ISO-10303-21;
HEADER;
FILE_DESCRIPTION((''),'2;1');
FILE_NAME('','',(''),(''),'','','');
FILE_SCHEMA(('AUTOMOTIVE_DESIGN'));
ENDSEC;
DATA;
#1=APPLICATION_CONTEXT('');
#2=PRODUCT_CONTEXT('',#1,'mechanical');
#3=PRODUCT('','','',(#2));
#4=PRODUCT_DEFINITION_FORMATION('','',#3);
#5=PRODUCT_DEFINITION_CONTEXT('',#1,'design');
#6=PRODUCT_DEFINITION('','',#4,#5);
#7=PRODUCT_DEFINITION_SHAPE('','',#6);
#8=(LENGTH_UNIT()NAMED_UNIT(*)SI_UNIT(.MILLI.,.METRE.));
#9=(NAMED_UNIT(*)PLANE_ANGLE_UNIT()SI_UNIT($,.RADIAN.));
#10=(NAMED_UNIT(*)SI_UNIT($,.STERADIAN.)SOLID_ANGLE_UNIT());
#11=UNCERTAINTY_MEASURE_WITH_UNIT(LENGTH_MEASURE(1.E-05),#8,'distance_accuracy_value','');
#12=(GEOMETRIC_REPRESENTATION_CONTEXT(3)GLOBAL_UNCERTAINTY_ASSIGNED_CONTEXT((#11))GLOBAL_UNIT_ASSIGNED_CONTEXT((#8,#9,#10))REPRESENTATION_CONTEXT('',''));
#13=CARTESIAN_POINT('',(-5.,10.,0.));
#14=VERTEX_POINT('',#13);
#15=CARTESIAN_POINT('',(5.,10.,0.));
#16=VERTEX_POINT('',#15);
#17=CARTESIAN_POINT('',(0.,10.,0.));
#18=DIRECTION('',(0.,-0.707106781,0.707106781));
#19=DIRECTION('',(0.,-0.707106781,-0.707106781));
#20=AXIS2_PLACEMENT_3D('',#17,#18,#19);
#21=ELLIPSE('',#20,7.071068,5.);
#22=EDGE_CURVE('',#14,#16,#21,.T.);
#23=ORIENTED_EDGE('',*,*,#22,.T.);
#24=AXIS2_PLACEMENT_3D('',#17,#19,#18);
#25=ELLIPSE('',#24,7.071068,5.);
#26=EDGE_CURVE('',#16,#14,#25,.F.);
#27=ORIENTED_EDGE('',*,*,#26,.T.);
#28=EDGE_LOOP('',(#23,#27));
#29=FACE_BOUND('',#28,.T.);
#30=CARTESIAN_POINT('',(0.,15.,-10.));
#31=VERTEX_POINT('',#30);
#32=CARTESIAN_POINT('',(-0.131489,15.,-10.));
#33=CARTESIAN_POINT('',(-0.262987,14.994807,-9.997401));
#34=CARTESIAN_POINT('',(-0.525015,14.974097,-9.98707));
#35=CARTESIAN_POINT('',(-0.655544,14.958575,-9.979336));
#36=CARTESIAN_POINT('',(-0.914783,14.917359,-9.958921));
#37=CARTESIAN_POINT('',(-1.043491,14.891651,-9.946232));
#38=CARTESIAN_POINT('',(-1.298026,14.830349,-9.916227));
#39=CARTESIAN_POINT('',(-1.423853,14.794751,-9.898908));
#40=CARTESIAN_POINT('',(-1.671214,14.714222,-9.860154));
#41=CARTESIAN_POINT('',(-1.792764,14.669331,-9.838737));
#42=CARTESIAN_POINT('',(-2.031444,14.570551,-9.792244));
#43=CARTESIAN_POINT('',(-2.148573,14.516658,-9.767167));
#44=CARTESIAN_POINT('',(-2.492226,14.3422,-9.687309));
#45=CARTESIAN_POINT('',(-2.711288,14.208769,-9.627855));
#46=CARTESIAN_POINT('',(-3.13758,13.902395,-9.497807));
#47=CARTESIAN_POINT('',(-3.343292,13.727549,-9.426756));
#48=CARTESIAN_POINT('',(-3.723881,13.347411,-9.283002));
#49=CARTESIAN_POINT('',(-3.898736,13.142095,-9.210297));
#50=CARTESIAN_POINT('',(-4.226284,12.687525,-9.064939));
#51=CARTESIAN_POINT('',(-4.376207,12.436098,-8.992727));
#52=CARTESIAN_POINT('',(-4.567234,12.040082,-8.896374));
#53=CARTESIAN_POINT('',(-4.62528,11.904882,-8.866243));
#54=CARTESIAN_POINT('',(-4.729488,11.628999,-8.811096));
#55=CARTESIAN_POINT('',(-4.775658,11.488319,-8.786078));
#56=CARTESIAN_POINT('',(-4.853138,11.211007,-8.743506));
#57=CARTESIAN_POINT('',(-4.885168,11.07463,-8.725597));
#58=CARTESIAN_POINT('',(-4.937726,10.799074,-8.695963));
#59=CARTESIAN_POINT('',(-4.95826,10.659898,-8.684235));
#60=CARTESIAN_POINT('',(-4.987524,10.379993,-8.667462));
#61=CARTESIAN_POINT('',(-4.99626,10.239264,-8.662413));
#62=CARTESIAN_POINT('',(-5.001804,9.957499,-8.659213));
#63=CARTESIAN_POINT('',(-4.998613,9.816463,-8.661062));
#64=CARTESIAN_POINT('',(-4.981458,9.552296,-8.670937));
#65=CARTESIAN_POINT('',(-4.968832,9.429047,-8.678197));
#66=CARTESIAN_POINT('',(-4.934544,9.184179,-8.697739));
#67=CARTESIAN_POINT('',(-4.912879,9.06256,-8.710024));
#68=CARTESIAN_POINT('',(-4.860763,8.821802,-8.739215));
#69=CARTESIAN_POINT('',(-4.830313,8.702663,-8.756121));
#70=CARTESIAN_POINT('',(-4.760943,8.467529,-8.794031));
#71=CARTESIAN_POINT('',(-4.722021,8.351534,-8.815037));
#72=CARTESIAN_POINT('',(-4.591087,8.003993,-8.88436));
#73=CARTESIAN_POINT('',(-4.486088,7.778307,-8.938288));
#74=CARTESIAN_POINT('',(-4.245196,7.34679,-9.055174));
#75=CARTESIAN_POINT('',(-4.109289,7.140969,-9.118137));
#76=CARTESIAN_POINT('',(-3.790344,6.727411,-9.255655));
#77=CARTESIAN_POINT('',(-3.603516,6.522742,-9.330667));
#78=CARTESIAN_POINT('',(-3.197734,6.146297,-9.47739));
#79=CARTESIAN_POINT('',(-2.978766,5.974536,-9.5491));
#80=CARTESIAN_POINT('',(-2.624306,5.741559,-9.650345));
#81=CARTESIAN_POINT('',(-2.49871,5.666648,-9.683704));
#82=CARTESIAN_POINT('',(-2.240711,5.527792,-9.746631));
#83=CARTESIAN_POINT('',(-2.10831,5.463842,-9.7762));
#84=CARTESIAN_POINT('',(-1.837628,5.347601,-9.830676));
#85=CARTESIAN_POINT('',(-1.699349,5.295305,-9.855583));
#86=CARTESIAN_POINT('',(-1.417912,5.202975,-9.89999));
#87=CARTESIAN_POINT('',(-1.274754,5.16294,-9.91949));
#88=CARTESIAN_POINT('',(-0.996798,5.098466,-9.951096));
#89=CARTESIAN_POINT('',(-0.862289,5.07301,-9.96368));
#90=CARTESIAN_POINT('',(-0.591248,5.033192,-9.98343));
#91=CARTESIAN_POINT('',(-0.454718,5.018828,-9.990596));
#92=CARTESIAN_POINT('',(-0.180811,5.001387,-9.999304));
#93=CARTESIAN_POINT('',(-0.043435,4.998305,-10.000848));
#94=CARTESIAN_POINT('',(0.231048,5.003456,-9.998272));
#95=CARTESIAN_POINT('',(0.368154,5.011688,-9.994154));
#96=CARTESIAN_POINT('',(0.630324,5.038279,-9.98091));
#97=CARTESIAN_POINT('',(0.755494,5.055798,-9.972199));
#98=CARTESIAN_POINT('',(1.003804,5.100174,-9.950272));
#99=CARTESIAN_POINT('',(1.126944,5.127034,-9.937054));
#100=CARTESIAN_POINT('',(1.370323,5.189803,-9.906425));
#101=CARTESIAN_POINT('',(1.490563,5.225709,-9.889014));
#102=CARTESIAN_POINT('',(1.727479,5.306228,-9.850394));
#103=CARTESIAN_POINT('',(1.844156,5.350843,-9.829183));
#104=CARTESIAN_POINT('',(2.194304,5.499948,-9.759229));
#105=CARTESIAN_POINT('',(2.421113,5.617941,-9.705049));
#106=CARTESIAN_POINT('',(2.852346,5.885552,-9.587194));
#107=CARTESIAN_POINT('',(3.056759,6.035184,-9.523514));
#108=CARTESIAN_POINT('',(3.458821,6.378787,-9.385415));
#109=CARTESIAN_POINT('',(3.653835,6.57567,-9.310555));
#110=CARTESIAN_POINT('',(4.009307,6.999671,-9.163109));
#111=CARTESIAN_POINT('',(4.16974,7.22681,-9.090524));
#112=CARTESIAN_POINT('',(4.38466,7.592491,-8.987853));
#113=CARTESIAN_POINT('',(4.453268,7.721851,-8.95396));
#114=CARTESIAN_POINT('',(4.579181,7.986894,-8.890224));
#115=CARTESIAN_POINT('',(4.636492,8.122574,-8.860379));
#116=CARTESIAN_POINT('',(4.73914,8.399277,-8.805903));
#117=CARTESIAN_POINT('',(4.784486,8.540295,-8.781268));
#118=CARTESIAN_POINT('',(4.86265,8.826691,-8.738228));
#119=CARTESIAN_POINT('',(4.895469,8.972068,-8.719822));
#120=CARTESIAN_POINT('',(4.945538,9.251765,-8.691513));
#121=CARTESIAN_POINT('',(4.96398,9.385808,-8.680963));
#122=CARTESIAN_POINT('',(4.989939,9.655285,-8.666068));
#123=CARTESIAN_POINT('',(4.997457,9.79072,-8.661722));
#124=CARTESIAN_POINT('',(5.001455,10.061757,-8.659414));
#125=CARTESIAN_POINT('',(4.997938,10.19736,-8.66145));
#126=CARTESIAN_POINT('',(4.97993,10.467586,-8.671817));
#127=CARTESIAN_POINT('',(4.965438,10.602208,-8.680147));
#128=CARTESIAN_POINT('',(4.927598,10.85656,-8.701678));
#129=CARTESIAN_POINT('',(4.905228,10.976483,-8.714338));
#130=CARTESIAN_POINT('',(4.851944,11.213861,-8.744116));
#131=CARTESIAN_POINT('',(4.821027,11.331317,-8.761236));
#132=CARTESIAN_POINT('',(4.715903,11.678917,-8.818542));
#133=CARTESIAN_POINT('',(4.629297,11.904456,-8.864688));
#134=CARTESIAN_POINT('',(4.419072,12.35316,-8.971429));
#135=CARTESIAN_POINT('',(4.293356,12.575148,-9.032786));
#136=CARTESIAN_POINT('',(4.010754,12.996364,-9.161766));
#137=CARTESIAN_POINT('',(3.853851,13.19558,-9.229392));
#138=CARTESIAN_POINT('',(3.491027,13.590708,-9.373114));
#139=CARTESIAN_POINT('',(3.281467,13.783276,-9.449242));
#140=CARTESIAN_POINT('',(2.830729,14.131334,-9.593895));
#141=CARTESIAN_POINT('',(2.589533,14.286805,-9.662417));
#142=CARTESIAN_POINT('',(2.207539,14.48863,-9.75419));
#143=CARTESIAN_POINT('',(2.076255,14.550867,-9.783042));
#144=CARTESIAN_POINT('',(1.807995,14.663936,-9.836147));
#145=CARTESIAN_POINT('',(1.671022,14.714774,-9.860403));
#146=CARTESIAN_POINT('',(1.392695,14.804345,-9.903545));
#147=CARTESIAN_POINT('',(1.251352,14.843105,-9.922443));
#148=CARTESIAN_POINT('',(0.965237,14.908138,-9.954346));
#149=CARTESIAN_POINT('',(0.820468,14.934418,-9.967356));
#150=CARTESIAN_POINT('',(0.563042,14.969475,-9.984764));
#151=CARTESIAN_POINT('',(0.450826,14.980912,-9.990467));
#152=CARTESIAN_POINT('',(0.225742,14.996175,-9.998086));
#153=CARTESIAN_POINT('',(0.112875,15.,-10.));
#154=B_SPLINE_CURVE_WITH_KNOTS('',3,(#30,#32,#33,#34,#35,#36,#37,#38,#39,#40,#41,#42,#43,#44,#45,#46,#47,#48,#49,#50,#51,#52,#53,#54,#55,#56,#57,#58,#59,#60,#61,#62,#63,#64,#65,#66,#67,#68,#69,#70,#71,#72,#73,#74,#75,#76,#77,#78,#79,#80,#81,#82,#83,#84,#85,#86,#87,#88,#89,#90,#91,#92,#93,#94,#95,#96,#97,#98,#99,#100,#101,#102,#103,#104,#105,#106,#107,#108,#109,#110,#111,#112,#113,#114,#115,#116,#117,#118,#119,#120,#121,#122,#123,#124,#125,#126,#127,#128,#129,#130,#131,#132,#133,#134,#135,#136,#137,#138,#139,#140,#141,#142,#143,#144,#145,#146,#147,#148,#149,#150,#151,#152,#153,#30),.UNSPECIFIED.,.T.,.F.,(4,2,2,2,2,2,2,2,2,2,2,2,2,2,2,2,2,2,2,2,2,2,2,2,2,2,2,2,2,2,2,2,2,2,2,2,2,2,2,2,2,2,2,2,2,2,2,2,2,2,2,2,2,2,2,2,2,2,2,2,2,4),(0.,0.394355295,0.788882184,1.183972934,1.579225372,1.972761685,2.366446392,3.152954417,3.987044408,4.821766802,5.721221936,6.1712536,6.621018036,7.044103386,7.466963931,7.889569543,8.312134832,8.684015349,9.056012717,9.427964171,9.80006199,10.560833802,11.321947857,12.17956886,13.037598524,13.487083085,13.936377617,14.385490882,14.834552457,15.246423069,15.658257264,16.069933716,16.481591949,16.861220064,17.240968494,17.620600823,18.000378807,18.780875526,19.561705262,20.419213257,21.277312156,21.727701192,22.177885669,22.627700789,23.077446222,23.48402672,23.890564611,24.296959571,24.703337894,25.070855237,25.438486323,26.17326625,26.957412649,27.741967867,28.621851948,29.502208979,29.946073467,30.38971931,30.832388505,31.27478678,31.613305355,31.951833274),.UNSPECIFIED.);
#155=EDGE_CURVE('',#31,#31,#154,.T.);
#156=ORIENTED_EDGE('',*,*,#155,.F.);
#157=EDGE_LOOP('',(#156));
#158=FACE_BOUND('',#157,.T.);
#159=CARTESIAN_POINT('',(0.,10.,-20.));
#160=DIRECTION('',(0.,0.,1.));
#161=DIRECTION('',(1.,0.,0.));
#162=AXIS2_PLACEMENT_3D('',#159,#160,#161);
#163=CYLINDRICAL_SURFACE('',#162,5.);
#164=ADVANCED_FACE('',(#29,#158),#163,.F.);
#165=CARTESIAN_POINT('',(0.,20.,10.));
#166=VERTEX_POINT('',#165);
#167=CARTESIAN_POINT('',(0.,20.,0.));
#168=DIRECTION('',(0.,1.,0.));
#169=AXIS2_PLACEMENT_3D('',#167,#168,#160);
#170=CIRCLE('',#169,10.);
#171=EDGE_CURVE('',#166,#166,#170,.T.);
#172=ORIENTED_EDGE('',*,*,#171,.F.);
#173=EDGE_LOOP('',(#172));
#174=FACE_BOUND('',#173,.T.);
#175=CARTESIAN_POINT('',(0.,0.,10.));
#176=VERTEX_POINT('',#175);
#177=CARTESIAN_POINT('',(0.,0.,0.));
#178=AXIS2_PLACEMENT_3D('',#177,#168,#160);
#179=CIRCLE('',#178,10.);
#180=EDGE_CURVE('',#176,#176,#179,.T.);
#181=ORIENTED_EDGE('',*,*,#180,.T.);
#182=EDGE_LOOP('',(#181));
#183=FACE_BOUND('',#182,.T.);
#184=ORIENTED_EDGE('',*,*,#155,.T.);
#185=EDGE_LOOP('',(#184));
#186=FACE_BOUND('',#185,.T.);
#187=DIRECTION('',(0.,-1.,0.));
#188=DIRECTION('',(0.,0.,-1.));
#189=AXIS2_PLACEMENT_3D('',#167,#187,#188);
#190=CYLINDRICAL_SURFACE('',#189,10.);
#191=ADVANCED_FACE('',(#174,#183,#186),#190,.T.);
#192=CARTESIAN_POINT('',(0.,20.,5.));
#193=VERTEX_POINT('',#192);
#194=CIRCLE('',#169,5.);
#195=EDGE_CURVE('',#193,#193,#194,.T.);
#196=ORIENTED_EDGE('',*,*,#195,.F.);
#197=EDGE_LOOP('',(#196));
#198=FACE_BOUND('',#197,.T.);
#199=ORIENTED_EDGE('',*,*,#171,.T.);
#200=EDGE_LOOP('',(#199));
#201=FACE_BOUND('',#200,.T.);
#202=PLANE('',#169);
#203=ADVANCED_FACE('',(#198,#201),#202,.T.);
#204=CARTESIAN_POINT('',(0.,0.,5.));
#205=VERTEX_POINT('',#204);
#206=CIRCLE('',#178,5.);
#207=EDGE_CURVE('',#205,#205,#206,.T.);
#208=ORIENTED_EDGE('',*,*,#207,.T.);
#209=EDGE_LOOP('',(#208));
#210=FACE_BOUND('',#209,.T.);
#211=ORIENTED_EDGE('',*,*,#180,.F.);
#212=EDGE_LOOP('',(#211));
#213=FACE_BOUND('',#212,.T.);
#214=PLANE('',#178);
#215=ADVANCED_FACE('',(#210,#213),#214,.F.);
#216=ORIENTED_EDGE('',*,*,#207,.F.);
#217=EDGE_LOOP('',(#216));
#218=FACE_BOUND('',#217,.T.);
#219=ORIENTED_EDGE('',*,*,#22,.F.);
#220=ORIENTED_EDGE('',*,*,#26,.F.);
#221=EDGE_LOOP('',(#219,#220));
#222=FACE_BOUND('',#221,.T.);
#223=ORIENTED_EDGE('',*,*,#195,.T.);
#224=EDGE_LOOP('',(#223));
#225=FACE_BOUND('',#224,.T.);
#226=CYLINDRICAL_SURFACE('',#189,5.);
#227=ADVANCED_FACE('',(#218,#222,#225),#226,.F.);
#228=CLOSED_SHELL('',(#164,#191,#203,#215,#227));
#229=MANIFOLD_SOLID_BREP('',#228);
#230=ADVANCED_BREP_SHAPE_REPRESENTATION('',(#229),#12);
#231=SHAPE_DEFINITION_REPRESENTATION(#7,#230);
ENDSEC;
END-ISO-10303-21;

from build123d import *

# Parameters (mm, degrees)
SKETCH1_R           = 10
SKETCH1_R_2         = 5
BOSS_EXTRUDE1_DEPTH = 20
SKETCH2_R           = 5
CUT_EXTRUDE1_DEPTH  = 20


with BuildPart() as part:
    # Sketch1 → Boss-Extrude1 (new body)
    with BuildSketch(Plane(origin=(0, 0, 0), x_dir=(1, 0, 0), z_dir=(0, 1, 0))):
        Circle(SKETCH1_R)
        Circle(SKETCH1_R_2, mode=Mode.SUBTRACT)
    extrude(amount=BOSS_EXTRUDE1_DEPTH)

    # Sketch2 → Cut-Extrude1 (cut)
    with BuildSketch(Plane.XY):
        with Locations((0, 10)):
            Circle(SKETCH2_R)
    extrude(amount=-CUT_EXTRUDE1_DEPTH, mode=Mode.SUBTRACT)


solid = part.part
